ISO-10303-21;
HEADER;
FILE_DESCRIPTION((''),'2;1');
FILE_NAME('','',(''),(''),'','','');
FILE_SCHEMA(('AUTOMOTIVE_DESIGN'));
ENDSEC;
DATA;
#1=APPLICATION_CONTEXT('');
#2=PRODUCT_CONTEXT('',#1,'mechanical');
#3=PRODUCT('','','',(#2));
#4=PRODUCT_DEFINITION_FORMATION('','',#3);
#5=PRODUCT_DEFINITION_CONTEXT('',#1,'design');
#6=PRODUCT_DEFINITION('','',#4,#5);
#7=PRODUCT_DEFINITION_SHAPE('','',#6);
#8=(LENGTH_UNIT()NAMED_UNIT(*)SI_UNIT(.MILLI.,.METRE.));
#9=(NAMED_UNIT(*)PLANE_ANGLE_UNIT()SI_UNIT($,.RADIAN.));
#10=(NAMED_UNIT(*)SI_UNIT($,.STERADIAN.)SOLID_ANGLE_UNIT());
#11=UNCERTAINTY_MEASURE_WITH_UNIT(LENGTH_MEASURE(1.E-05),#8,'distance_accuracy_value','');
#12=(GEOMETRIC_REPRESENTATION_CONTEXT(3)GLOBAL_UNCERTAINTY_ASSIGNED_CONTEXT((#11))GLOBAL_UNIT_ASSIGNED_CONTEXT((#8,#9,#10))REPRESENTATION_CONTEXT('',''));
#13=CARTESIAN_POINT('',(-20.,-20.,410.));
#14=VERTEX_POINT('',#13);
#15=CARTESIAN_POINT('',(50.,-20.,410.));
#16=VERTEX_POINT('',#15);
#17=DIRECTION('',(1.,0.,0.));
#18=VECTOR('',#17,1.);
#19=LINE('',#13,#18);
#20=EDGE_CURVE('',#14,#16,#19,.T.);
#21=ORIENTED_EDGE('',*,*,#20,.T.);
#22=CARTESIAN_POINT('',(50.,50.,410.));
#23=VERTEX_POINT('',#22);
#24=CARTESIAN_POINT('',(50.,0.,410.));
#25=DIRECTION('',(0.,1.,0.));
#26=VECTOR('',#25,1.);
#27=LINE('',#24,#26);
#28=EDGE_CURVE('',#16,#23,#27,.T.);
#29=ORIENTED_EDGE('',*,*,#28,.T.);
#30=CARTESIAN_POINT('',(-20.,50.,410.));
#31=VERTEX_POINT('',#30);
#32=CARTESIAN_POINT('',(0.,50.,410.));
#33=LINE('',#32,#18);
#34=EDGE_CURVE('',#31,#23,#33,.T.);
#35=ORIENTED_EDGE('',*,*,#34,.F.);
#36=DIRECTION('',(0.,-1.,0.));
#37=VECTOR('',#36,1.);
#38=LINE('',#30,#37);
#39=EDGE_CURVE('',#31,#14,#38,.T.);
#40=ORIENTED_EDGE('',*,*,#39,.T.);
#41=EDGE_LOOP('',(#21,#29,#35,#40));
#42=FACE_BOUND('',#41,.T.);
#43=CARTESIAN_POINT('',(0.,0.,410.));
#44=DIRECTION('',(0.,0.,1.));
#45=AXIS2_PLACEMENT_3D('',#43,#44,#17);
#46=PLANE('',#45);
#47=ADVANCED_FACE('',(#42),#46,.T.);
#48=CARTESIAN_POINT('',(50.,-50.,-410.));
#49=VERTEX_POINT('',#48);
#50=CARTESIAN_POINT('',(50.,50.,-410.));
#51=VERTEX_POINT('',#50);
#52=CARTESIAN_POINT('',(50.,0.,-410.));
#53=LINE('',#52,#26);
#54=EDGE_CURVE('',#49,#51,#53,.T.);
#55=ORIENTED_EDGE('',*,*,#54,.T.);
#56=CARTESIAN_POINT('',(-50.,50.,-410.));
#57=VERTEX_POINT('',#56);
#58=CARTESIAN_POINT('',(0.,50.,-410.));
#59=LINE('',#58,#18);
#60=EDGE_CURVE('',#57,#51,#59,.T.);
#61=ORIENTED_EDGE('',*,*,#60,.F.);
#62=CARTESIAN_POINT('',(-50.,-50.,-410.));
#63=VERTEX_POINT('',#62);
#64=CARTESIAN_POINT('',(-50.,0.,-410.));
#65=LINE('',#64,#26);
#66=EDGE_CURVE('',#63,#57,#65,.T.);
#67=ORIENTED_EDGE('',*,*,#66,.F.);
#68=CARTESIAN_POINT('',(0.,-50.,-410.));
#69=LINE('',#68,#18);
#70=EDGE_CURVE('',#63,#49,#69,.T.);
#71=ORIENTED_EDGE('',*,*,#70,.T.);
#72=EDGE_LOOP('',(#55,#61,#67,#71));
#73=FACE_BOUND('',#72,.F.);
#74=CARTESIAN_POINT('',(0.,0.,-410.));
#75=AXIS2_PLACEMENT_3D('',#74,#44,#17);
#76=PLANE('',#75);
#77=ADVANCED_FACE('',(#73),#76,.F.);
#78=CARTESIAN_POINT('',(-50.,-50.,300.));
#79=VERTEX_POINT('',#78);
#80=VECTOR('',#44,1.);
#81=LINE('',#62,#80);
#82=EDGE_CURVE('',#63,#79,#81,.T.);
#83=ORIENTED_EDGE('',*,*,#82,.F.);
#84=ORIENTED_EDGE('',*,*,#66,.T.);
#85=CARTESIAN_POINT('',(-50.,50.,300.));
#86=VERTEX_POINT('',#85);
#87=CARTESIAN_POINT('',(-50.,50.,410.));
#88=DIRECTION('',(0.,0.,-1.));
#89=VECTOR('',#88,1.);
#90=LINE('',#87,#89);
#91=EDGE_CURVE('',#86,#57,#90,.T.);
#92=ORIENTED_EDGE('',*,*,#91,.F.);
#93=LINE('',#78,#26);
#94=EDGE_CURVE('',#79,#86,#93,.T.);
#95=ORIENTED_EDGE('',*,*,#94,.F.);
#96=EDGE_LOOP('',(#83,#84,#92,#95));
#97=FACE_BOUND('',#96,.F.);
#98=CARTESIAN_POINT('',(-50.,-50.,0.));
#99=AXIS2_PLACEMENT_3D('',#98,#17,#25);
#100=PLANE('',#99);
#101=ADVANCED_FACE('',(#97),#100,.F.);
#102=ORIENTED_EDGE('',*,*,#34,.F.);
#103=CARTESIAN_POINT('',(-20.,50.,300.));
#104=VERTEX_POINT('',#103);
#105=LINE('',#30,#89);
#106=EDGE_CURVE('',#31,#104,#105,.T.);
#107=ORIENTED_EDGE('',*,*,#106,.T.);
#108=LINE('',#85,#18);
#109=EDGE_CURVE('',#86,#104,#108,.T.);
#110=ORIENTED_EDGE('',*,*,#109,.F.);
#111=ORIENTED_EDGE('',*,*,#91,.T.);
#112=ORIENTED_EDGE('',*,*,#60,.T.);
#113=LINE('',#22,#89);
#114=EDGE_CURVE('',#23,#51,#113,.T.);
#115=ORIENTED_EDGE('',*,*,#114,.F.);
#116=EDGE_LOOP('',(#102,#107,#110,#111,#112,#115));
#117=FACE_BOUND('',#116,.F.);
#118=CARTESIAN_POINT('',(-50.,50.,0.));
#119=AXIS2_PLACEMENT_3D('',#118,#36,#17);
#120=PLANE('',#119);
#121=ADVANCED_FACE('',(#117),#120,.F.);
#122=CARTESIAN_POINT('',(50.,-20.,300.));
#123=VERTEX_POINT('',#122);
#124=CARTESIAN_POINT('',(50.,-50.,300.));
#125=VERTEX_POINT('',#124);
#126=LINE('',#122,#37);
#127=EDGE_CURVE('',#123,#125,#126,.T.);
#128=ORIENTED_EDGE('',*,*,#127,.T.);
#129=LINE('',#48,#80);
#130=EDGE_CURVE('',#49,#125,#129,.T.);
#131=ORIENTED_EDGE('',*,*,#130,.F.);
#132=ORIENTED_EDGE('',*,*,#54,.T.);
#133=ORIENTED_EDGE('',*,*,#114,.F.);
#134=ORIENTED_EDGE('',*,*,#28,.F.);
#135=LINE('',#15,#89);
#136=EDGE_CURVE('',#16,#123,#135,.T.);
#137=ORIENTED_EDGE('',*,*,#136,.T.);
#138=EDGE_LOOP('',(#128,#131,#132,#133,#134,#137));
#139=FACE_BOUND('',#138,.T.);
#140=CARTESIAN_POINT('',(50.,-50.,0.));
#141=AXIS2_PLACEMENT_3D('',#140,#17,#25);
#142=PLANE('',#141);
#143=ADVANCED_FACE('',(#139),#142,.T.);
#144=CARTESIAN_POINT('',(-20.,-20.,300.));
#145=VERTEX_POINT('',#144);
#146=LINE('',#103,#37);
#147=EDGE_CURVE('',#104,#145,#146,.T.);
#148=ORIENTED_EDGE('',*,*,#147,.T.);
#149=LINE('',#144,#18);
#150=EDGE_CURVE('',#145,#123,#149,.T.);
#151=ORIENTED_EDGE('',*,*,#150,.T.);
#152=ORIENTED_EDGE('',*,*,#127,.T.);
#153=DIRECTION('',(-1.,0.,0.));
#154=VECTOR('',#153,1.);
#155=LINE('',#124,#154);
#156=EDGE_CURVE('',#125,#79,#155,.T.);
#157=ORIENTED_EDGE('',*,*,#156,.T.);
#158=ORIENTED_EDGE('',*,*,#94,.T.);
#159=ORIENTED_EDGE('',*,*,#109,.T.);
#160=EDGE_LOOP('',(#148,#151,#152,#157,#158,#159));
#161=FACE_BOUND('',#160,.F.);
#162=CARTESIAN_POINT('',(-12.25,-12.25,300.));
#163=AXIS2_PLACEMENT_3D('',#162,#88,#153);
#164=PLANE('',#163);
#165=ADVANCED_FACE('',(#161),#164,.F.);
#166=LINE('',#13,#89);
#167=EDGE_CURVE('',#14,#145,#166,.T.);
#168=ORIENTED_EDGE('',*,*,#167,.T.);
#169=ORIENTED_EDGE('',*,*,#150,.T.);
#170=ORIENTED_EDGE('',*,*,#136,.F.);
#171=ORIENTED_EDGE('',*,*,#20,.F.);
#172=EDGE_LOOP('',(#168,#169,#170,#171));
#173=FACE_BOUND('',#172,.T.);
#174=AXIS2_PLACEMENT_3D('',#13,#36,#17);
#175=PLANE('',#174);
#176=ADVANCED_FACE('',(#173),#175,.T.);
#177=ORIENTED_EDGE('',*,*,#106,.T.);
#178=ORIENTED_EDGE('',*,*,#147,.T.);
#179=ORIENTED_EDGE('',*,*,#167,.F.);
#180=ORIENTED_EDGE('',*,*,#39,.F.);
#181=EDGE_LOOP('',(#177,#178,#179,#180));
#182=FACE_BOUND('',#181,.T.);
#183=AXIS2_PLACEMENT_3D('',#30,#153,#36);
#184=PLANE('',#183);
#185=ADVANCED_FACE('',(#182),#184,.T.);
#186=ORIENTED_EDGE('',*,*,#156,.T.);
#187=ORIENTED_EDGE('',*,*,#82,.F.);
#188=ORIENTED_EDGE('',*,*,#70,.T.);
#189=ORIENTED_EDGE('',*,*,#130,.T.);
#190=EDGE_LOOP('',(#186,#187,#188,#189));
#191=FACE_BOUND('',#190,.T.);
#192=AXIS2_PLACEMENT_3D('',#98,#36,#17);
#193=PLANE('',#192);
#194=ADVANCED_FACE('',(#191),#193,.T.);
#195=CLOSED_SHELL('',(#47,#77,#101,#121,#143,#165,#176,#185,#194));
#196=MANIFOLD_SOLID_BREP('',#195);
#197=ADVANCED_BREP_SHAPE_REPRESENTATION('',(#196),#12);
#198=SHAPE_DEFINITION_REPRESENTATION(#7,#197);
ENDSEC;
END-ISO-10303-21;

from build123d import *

# Parameters (mm, degrees)
SKETCH_W     = 100
SKETCH_H     = 100
PAD_DEPTH    = 410
POCKET_DEPTH = 110


with BuildPart() as part:
    # Sketch → Pad (new body, symmetric)
    with BuildSketch(Plane.XY):
        Rectangle(SKETCH_W, SKETCH_H)
    extrude(amount=PAD_DEPTH, both=True)

    # Sketch001 → Pocket (cut)
    with BuildSketch(Plane.XY.offset(410)):
        Polygon((50, -50), (-50, -50), (-50, 50), (-20, 50), (-20, -20), (50, -20), align=None)
    extrude(amount=-POCKET_DEPTH, mode=Mode.SUBTRACT)


solid = part.part
